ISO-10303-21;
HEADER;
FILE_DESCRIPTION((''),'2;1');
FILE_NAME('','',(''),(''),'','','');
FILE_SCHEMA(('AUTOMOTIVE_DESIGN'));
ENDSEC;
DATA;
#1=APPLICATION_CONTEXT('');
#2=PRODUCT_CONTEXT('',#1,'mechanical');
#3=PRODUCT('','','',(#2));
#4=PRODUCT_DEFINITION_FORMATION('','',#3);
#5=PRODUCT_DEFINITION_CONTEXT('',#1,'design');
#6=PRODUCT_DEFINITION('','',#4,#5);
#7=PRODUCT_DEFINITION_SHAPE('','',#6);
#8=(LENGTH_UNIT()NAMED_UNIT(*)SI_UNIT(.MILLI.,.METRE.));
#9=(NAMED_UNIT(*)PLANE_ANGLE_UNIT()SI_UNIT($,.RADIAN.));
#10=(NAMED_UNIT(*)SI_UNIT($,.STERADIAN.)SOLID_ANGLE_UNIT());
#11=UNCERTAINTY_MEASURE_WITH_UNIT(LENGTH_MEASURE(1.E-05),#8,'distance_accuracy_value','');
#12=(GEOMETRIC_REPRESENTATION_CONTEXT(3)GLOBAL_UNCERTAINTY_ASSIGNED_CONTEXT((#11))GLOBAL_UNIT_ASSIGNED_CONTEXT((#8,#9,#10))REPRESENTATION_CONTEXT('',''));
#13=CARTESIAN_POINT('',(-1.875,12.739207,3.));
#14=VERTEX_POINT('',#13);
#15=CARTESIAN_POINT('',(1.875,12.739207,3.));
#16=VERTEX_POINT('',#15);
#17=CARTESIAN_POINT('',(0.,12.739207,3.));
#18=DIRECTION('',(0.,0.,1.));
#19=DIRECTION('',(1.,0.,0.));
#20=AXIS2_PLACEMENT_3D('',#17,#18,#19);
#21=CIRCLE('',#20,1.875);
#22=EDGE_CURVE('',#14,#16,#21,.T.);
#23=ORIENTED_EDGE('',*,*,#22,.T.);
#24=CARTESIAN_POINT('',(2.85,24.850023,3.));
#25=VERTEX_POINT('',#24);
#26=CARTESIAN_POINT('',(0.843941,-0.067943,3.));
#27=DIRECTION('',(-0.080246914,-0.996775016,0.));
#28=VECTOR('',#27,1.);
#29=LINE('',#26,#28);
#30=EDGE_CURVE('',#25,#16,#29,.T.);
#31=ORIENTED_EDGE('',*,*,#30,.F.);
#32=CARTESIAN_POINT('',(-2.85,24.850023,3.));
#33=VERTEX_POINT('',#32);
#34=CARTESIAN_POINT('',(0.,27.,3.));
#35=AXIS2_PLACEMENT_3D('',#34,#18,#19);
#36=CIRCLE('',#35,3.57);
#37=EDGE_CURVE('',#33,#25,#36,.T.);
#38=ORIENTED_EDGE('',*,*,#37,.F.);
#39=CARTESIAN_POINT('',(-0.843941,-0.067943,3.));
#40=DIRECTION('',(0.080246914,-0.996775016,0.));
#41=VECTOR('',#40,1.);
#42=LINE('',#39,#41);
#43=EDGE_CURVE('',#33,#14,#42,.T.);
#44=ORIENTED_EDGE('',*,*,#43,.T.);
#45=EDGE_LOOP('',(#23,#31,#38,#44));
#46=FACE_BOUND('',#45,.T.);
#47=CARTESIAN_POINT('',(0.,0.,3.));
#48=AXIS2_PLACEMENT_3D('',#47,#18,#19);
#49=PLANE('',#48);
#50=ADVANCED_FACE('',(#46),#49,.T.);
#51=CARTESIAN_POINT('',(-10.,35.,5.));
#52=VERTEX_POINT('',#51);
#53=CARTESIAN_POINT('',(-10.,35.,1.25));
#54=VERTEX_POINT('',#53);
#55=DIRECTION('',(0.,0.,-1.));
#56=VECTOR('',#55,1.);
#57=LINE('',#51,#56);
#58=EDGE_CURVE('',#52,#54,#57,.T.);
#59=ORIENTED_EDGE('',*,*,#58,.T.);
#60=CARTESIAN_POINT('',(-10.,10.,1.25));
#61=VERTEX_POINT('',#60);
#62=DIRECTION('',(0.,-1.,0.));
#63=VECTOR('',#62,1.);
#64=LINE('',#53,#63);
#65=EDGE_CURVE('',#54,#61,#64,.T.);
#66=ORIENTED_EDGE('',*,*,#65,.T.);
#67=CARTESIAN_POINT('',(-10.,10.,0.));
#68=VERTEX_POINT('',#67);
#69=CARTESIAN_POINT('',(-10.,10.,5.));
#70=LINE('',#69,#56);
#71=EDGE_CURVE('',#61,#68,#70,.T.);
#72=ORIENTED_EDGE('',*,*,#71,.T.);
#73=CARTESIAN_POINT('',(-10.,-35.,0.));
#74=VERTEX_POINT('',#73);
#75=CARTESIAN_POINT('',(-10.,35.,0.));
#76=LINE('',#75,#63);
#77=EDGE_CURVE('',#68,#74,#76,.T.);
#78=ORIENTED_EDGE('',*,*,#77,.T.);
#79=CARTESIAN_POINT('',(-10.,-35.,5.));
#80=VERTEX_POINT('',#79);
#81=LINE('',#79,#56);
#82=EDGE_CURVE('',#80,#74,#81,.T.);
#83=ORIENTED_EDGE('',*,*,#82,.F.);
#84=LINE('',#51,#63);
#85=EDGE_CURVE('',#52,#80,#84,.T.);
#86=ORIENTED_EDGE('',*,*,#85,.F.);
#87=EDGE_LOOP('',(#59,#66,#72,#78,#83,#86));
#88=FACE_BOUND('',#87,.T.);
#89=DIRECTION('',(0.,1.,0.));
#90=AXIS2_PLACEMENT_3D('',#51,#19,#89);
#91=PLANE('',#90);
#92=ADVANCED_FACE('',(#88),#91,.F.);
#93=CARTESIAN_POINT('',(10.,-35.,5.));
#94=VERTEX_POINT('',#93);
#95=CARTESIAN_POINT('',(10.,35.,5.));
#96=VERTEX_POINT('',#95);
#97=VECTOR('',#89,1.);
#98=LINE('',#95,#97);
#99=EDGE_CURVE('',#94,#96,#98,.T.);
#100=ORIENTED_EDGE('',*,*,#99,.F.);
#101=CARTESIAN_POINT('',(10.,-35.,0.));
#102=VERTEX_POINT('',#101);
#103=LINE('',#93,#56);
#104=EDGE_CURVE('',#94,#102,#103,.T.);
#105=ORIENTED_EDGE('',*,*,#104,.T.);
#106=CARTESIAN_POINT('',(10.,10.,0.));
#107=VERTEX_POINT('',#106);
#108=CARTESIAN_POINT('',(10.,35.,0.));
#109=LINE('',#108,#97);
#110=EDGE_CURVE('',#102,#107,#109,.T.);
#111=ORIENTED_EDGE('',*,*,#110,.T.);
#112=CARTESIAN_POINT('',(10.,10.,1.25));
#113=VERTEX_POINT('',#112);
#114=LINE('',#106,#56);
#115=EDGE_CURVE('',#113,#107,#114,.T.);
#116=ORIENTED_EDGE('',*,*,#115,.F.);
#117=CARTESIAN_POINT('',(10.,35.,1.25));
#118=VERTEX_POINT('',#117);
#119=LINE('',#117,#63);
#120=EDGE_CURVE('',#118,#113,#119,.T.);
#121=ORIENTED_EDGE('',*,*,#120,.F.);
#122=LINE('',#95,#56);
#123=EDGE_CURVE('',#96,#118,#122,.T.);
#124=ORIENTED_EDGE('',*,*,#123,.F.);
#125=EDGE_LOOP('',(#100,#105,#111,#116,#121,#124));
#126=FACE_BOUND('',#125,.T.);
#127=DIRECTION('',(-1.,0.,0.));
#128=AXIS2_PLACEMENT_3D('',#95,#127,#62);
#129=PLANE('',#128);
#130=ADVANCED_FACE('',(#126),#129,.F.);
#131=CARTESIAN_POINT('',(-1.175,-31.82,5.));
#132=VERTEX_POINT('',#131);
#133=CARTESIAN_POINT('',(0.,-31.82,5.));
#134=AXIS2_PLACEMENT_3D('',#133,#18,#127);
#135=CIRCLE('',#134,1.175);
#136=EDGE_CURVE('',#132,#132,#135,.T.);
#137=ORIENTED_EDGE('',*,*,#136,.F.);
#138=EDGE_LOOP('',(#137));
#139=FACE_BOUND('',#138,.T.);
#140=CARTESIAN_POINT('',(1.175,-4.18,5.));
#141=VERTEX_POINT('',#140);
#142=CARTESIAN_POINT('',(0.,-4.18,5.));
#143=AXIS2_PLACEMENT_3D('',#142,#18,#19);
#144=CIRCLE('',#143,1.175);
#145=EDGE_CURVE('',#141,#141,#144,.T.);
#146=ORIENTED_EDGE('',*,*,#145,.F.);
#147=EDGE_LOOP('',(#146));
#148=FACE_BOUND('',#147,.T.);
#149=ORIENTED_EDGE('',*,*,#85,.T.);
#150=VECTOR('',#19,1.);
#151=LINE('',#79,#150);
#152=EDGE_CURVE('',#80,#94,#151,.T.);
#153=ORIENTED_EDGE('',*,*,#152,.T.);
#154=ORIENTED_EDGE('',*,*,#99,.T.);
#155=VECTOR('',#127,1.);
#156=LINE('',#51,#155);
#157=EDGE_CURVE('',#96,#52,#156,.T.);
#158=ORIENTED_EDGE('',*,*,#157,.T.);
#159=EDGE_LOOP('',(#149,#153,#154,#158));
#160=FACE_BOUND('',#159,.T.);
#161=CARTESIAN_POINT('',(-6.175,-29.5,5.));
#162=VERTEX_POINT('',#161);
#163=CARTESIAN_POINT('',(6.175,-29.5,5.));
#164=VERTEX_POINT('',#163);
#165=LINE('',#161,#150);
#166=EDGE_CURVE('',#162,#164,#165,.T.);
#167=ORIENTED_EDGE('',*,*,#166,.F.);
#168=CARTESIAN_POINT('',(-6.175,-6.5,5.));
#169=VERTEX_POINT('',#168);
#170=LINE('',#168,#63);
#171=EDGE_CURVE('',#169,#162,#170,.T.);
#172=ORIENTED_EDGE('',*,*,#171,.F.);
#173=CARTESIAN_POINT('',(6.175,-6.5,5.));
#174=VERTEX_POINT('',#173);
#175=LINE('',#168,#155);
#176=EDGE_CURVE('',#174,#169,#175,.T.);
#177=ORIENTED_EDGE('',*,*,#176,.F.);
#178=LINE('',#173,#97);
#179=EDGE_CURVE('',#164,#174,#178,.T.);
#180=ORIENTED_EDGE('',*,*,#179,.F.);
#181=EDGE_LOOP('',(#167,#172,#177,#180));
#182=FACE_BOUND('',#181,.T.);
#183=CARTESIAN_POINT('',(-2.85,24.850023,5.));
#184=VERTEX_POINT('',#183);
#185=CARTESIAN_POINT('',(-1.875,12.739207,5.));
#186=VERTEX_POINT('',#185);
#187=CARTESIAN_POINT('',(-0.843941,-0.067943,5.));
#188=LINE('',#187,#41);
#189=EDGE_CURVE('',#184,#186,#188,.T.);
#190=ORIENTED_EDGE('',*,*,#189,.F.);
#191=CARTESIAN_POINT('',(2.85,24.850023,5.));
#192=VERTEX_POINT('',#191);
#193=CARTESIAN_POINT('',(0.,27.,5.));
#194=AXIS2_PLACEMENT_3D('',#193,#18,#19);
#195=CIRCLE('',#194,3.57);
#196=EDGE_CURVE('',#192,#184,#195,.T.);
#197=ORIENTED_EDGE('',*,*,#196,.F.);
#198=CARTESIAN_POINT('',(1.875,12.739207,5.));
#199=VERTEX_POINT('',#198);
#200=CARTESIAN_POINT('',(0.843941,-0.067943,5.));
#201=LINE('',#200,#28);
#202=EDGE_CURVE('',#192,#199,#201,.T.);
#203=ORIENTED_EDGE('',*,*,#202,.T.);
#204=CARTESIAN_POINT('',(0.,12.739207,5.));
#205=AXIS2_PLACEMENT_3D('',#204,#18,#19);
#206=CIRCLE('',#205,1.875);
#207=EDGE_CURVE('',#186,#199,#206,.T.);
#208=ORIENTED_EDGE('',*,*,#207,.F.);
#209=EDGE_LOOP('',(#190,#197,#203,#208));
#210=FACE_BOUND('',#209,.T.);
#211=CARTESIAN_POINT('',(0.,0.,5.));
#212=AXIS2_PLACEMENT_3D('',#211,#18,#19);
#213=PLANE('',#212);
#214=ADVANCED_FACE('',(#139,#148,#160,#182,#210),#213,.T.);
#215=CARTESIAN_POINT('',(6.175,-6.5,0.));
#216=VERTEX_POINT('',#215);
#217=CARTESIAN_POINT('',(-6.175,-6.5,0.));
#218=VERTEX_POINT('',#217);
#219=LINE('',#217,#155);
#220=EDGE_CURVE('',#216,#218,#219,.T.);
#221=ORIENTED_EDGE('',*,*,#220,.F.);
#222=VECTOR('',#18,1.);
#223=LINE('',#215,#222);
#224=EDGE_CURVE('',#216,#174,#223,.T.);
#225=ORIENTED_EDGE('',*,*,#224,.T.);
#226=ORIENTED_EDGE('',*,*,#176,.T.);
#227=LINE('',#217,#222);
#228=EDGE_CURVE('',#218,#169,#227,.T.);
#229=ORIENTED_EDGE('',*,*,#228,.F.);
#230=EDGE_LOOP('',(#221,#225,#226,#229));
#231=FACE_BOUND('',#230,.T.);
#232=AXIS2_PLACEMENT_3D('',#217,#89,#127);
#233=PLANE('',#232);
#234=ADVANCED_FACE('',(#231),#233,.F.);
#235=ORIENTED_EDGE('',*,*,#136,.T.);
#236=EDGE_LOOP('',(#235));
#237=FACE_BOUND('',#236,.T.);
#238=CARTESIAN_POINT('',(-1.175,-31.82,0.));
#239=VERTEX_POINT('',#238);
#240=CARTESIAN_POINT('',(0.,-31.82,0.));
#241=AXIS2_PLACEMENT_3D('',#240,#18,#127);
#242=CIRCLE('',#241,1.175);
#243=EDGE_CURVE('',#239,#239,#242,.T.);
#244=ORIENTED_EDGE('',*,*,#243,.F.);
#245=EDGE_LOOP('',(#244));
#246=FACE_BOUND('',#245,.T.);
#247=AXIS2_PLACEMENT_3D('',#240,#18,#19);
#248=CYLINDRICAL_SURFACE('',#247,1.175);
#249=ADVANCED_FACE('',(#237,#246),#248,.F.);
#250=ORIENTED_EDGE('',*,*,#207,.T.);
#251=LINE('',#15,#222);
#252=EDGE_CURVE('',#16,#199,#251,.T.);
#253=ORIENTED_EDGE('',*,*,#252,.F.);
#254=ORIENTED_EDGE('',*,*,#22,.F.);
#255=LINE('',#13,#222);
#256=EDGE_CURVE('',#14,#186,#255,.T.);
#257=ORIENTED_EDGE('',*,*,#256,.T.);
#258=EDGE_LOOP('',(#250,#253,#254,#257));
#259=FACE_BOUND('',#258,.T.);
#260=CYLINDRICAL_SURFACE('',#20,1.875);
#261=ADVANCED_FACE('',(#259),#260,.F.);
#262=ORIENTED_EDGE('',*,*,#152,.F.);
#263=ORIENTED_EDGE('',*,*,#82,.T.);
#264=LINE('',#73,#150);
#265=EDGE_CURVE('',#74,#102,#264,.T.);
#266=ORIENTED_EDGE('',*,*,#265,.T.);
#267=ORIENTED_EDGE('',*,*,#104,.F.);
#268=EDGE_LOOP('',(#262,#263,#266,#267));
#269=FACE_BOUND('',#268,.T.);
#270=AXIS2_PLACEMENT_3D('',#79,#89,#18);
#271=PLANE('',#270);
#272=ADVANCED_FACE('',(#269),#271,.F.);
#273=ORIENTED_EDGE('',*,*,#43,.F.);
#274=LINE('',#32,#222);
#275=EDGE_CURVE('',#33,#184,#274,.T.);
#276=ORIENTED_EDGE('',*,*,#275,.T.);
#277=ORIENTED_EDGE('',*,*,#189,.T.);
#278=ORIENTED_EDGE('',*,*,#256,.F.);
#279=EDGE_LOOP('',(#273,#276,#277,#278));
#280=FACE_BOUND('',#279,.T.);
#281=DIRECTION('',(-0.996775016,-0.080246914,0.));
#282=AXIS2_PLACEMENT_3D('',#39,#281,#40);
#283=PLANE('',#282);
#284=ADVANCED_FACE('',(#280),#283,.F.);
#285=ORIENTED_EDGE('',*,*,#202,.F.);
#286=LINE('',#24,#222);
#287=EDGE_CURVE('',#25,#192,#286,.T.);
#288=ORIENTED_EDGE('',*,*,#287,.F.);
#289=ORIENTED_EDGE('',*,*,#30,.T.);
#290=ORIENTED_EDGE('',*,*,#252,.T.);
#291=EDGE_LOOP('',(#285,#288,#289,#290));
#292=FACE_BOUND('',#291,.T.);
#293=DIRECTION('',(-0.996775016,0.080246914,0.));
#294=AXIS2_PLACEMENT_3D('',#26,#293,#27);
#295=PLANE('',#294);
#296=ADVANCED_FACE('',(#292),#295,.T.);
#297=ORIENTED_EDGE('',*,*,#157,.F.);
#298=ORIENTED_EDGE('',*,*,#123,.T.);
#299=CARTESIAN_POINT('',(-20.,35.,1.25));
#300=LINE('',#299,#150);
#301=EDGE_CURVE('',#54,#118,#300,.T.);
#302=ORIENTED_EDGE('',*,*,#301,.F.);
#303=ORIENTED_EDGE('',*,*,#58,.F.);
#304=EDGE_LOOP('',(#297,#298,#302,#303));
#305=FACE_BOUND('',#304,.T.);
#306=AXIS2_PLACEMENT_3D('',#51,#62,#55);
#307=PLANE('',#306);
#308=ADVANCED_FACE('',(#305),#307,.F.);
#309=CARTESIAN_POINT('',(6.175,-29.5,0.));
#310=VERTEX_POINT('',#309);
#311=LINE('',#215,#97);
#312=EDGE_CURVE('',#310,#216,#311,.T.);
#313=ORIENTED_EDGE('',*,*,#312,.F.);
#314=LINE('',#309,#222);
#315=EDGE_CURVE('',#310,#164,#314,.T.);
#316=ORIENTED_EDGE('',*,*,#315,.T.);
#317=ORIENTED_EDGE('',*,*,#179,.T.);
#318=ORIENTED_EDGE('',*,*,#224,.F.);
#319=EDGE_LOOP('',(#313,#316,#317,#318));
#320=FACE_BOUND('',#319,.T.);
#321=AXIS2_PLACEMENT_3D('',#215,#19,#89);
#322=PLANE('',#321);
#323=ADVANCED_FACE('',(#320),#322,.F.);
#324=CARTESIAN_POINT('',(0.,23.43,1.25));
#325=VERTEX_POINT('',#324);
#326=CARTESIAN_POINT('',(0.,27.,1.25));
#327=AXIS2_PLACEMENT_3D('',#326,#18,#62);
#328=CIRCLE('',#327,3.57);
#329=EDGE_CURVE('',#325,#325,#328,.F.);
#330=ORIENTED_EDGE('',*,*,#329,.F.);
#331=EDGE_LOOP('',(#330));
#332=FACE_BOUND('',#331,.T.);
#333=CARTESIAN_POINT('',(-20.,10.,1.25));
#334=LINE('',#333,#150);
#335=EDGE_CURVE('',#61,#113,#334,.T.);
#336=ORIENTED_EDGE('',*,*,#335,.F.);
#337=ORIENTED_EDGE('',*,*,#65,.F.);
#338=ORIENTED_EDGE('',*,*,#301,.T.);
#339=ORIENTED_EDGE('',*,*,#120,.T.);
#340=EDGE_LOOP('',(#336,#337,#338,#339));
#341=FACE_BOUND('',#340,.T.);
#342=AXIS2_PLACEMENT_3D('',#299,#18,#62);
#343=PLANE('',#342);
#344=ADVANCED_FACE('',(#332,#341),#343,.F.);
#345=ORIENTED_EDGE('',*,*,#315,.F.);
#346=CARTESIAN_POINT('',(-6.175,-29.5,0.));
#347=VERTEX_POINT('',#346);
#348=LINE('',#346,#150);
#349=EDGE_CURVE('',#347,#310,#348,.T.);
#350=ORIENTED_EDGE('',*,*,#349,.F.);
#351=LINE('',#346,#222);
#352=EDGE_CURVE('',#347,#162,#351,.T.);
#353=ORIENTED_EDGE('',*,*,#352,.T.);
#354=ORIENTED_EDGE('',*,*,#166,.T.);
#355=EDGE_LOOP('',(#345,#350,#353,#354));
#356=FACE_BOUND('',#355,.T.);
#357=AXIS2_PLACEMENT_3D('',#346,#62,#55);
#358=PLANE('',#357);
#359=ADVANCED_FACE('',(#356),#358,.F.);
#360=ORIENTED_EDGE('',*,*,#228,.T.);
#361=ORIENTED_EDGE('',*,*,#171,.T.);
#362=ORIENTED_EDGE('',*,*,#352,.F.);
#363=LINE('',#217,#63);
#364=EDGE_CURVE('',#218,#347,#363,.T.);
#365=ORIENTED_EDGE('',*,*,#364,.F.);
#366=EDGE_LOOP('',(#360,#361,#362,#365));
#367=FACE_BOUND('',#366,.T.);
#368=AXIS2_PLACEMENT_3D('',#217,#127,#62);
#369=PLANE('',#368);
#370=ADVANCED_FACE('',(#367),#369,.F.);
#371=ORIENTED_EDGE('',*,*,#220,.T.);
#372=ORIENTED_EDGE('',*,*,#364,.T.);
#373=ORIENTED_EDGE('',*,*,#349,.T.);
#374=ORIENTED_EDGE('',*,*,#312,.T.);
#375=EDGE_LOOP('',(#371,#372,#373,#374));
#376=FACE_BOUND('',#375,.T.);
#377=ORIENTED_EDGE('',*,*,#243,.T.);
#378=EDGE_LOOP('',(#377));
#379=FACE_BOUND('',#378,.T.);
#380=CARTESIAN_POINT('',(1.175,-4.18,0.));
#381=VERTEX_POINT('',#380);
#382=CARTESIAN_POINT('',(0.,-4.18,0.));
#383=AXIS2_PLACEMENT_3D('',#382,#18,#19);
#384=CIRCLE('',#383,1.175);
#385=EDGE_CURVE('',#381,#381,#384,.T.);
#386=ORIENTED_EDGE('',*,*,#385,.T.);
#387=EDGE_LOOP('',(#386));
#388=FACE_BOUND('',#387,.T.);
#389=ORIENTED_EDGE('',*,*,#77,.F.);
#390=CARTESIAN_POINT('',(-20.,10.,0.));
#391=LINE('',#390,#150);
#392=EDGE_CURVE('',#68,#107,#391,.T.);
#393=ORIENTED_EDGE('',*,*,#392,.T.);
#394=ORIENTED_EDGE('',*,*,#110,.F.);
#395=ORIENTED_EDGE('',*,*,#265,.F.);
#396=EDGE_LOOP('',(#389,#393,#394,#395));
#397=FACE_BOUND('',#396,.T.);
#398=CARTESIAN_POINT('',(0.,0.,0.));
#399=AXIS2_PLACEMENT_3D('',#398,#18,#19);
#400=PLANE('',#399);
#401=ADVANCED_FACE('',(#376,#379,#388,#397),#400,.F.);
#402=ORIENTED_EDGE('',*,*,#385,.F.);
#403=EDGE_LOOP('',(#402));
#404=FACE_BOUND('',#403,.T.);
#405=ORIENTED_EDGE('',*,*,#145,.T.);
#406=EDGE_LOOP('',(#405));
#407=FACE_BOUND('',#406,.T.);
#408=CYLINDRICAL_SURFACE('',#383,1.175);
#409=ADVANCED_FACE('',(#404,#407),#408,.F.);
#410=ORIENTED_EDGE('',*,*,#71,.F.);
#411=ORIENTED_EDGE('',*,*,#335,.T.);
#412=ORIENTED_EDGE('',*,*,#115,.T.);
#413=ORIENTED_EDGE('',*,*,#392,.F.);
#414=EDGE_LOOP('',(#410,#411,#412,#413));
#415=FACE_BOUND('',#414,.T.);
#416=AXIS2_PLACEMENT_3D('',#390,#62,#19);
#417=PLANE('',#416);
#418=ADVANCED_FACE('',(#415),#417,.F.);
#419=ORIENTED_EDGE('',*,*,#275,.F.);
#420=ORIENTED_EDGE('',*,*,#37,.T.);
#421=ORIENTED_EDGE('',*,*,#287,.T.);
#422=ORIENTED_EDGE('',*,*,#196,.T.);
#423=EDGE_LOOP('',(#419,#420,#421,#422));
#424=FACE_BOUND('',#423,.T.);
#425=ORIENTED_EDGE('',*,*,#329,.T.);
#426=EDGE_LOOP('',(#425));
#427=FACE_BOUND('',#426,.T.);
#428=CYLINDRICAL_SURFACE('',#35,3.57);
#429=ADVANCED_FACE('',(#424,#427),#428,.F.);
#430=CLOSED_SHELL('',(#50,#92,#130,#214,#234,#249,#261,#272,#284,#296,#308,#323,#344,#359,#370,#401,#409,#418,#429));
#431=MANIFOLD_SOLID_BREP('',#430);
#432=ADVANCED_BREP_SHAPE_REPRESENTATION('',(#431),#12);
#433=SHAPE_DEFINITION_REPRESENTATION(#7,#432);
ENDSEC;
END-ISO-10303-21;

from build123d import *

# Parameters (mm, degrees)
SKETCH3_W           = 20
SKETCH3_H           = 70
BOSS_EXTRUDE3_DEPTH = 5
CUT_EXTRUDE2_DEPTH  = 2
SKETCH6_R           = 3.57
CUT_EXTRUDE3_DEPTH  = 3
SKETCH7_R           = 1.175
SKETCH7_W           = 12.35
SKETCH7_H           = 23
CUT_EXTRUDE4_DEPTH  = 5
SKETCH8_W           = 1.25
SKETCH8_H           = 25
CUT_EXTRUDE5_DEPTH  = 30


with BuildPart() as part:
    # Sketch3 → Boss-Extrude3 (new body)
    with BuildSketch(Plane.XY):
        Rectangle(SKETCH3_W, SKETCH3_H)
    extrude(amount=BOSS_EXTRUDE3_DEPTH)

    # Sketch4 → Cut-Extrude2 (cut)
    with BuildSketch(Plane.XY.offset(5)):
        with BuildLine():
            Line((-2.85, 24.850023256), (-1.875, 12.739206809))
            Line((-1.875, 12.739206809), (1.875, 12.739206809))
            Line((1.875, 12.739206809), (2.85, 24.850023256))
            ThreePointArc((2.85, 24.850023256), (0, 23.43), (-2.85, 24.850023256))
        make_face()
        with BuildLine():
            Line((1.875, 12.739206809), (-1.875, 12.739206809))
            ThreePointArc((-1.875, 12.739206809), (0, 10.864206809), (1.875, 12.739206809))
        make_face()
        with BuildLine():
            ThreePointArc((3.57, 27), (-1.133666618, 30.385217866), (-2.85, 24.850023256))
            Line((-2.85, 24.850023256), (2.85, 24.850023256))
            ThreePointArc((2.85, 24.850023256), (3.385217866, 25.866333382), (3.57, 27))
        make_face()
        with BuildLine():
            Line((2.85, 24.850023256), (-2.85, 24.850023256))
            ThreePointArc((-2.85, 24.850023256), (0, 23.43), (2.85, 24.850023256))
        make_face()
    extrude(amount=-CUT_EXTRUDE2_DEPTH, mode=Mode.SUBTRACT)

    # Sketch6 → Cut-Extrude3 (cut)
    with BuildSketch(Plane.XY.offset(3)):
        with Locations((0, 27)):
            Circle(SKETCH6_R)
    extrude(amount=-CUT_EXTRUDE3_DEPTH, mode=Mode.SUBTRACT)

    # Sketch7 → Cut-Extrude4 (cut)
    with BuildSketch(Plane.XY.offset(5)):
        with Locations((0, -4.18)):
            Circle(SKETCH7_R)
        with Locations((0, -31.82)):
            Circle(SKETCH7_R)
        with Locations((0, -18)):
            Rectangle(SKETCH7_W, SKETCH7_H)
    extrude(amount=-CUT_EXTRUDE4_DEPTH, mode=Mode.SUBTRACT)

    # Sketch8 → Cut-Extrude5 (cut)
    with BuildSketch(Plane(origin=(10, 0, 0), x_dir=(0, 0, -1), z_dir=(1, 0, 0))):
        with Locations((-0.625, 22.5)):
            Rectangle(SKETCH8_W, SKETCH8_H)
    extrude(amount=-CUT_EXTRUDE5_DEPTH, mode=Mode.SUBTRACT)


solid = part.part
